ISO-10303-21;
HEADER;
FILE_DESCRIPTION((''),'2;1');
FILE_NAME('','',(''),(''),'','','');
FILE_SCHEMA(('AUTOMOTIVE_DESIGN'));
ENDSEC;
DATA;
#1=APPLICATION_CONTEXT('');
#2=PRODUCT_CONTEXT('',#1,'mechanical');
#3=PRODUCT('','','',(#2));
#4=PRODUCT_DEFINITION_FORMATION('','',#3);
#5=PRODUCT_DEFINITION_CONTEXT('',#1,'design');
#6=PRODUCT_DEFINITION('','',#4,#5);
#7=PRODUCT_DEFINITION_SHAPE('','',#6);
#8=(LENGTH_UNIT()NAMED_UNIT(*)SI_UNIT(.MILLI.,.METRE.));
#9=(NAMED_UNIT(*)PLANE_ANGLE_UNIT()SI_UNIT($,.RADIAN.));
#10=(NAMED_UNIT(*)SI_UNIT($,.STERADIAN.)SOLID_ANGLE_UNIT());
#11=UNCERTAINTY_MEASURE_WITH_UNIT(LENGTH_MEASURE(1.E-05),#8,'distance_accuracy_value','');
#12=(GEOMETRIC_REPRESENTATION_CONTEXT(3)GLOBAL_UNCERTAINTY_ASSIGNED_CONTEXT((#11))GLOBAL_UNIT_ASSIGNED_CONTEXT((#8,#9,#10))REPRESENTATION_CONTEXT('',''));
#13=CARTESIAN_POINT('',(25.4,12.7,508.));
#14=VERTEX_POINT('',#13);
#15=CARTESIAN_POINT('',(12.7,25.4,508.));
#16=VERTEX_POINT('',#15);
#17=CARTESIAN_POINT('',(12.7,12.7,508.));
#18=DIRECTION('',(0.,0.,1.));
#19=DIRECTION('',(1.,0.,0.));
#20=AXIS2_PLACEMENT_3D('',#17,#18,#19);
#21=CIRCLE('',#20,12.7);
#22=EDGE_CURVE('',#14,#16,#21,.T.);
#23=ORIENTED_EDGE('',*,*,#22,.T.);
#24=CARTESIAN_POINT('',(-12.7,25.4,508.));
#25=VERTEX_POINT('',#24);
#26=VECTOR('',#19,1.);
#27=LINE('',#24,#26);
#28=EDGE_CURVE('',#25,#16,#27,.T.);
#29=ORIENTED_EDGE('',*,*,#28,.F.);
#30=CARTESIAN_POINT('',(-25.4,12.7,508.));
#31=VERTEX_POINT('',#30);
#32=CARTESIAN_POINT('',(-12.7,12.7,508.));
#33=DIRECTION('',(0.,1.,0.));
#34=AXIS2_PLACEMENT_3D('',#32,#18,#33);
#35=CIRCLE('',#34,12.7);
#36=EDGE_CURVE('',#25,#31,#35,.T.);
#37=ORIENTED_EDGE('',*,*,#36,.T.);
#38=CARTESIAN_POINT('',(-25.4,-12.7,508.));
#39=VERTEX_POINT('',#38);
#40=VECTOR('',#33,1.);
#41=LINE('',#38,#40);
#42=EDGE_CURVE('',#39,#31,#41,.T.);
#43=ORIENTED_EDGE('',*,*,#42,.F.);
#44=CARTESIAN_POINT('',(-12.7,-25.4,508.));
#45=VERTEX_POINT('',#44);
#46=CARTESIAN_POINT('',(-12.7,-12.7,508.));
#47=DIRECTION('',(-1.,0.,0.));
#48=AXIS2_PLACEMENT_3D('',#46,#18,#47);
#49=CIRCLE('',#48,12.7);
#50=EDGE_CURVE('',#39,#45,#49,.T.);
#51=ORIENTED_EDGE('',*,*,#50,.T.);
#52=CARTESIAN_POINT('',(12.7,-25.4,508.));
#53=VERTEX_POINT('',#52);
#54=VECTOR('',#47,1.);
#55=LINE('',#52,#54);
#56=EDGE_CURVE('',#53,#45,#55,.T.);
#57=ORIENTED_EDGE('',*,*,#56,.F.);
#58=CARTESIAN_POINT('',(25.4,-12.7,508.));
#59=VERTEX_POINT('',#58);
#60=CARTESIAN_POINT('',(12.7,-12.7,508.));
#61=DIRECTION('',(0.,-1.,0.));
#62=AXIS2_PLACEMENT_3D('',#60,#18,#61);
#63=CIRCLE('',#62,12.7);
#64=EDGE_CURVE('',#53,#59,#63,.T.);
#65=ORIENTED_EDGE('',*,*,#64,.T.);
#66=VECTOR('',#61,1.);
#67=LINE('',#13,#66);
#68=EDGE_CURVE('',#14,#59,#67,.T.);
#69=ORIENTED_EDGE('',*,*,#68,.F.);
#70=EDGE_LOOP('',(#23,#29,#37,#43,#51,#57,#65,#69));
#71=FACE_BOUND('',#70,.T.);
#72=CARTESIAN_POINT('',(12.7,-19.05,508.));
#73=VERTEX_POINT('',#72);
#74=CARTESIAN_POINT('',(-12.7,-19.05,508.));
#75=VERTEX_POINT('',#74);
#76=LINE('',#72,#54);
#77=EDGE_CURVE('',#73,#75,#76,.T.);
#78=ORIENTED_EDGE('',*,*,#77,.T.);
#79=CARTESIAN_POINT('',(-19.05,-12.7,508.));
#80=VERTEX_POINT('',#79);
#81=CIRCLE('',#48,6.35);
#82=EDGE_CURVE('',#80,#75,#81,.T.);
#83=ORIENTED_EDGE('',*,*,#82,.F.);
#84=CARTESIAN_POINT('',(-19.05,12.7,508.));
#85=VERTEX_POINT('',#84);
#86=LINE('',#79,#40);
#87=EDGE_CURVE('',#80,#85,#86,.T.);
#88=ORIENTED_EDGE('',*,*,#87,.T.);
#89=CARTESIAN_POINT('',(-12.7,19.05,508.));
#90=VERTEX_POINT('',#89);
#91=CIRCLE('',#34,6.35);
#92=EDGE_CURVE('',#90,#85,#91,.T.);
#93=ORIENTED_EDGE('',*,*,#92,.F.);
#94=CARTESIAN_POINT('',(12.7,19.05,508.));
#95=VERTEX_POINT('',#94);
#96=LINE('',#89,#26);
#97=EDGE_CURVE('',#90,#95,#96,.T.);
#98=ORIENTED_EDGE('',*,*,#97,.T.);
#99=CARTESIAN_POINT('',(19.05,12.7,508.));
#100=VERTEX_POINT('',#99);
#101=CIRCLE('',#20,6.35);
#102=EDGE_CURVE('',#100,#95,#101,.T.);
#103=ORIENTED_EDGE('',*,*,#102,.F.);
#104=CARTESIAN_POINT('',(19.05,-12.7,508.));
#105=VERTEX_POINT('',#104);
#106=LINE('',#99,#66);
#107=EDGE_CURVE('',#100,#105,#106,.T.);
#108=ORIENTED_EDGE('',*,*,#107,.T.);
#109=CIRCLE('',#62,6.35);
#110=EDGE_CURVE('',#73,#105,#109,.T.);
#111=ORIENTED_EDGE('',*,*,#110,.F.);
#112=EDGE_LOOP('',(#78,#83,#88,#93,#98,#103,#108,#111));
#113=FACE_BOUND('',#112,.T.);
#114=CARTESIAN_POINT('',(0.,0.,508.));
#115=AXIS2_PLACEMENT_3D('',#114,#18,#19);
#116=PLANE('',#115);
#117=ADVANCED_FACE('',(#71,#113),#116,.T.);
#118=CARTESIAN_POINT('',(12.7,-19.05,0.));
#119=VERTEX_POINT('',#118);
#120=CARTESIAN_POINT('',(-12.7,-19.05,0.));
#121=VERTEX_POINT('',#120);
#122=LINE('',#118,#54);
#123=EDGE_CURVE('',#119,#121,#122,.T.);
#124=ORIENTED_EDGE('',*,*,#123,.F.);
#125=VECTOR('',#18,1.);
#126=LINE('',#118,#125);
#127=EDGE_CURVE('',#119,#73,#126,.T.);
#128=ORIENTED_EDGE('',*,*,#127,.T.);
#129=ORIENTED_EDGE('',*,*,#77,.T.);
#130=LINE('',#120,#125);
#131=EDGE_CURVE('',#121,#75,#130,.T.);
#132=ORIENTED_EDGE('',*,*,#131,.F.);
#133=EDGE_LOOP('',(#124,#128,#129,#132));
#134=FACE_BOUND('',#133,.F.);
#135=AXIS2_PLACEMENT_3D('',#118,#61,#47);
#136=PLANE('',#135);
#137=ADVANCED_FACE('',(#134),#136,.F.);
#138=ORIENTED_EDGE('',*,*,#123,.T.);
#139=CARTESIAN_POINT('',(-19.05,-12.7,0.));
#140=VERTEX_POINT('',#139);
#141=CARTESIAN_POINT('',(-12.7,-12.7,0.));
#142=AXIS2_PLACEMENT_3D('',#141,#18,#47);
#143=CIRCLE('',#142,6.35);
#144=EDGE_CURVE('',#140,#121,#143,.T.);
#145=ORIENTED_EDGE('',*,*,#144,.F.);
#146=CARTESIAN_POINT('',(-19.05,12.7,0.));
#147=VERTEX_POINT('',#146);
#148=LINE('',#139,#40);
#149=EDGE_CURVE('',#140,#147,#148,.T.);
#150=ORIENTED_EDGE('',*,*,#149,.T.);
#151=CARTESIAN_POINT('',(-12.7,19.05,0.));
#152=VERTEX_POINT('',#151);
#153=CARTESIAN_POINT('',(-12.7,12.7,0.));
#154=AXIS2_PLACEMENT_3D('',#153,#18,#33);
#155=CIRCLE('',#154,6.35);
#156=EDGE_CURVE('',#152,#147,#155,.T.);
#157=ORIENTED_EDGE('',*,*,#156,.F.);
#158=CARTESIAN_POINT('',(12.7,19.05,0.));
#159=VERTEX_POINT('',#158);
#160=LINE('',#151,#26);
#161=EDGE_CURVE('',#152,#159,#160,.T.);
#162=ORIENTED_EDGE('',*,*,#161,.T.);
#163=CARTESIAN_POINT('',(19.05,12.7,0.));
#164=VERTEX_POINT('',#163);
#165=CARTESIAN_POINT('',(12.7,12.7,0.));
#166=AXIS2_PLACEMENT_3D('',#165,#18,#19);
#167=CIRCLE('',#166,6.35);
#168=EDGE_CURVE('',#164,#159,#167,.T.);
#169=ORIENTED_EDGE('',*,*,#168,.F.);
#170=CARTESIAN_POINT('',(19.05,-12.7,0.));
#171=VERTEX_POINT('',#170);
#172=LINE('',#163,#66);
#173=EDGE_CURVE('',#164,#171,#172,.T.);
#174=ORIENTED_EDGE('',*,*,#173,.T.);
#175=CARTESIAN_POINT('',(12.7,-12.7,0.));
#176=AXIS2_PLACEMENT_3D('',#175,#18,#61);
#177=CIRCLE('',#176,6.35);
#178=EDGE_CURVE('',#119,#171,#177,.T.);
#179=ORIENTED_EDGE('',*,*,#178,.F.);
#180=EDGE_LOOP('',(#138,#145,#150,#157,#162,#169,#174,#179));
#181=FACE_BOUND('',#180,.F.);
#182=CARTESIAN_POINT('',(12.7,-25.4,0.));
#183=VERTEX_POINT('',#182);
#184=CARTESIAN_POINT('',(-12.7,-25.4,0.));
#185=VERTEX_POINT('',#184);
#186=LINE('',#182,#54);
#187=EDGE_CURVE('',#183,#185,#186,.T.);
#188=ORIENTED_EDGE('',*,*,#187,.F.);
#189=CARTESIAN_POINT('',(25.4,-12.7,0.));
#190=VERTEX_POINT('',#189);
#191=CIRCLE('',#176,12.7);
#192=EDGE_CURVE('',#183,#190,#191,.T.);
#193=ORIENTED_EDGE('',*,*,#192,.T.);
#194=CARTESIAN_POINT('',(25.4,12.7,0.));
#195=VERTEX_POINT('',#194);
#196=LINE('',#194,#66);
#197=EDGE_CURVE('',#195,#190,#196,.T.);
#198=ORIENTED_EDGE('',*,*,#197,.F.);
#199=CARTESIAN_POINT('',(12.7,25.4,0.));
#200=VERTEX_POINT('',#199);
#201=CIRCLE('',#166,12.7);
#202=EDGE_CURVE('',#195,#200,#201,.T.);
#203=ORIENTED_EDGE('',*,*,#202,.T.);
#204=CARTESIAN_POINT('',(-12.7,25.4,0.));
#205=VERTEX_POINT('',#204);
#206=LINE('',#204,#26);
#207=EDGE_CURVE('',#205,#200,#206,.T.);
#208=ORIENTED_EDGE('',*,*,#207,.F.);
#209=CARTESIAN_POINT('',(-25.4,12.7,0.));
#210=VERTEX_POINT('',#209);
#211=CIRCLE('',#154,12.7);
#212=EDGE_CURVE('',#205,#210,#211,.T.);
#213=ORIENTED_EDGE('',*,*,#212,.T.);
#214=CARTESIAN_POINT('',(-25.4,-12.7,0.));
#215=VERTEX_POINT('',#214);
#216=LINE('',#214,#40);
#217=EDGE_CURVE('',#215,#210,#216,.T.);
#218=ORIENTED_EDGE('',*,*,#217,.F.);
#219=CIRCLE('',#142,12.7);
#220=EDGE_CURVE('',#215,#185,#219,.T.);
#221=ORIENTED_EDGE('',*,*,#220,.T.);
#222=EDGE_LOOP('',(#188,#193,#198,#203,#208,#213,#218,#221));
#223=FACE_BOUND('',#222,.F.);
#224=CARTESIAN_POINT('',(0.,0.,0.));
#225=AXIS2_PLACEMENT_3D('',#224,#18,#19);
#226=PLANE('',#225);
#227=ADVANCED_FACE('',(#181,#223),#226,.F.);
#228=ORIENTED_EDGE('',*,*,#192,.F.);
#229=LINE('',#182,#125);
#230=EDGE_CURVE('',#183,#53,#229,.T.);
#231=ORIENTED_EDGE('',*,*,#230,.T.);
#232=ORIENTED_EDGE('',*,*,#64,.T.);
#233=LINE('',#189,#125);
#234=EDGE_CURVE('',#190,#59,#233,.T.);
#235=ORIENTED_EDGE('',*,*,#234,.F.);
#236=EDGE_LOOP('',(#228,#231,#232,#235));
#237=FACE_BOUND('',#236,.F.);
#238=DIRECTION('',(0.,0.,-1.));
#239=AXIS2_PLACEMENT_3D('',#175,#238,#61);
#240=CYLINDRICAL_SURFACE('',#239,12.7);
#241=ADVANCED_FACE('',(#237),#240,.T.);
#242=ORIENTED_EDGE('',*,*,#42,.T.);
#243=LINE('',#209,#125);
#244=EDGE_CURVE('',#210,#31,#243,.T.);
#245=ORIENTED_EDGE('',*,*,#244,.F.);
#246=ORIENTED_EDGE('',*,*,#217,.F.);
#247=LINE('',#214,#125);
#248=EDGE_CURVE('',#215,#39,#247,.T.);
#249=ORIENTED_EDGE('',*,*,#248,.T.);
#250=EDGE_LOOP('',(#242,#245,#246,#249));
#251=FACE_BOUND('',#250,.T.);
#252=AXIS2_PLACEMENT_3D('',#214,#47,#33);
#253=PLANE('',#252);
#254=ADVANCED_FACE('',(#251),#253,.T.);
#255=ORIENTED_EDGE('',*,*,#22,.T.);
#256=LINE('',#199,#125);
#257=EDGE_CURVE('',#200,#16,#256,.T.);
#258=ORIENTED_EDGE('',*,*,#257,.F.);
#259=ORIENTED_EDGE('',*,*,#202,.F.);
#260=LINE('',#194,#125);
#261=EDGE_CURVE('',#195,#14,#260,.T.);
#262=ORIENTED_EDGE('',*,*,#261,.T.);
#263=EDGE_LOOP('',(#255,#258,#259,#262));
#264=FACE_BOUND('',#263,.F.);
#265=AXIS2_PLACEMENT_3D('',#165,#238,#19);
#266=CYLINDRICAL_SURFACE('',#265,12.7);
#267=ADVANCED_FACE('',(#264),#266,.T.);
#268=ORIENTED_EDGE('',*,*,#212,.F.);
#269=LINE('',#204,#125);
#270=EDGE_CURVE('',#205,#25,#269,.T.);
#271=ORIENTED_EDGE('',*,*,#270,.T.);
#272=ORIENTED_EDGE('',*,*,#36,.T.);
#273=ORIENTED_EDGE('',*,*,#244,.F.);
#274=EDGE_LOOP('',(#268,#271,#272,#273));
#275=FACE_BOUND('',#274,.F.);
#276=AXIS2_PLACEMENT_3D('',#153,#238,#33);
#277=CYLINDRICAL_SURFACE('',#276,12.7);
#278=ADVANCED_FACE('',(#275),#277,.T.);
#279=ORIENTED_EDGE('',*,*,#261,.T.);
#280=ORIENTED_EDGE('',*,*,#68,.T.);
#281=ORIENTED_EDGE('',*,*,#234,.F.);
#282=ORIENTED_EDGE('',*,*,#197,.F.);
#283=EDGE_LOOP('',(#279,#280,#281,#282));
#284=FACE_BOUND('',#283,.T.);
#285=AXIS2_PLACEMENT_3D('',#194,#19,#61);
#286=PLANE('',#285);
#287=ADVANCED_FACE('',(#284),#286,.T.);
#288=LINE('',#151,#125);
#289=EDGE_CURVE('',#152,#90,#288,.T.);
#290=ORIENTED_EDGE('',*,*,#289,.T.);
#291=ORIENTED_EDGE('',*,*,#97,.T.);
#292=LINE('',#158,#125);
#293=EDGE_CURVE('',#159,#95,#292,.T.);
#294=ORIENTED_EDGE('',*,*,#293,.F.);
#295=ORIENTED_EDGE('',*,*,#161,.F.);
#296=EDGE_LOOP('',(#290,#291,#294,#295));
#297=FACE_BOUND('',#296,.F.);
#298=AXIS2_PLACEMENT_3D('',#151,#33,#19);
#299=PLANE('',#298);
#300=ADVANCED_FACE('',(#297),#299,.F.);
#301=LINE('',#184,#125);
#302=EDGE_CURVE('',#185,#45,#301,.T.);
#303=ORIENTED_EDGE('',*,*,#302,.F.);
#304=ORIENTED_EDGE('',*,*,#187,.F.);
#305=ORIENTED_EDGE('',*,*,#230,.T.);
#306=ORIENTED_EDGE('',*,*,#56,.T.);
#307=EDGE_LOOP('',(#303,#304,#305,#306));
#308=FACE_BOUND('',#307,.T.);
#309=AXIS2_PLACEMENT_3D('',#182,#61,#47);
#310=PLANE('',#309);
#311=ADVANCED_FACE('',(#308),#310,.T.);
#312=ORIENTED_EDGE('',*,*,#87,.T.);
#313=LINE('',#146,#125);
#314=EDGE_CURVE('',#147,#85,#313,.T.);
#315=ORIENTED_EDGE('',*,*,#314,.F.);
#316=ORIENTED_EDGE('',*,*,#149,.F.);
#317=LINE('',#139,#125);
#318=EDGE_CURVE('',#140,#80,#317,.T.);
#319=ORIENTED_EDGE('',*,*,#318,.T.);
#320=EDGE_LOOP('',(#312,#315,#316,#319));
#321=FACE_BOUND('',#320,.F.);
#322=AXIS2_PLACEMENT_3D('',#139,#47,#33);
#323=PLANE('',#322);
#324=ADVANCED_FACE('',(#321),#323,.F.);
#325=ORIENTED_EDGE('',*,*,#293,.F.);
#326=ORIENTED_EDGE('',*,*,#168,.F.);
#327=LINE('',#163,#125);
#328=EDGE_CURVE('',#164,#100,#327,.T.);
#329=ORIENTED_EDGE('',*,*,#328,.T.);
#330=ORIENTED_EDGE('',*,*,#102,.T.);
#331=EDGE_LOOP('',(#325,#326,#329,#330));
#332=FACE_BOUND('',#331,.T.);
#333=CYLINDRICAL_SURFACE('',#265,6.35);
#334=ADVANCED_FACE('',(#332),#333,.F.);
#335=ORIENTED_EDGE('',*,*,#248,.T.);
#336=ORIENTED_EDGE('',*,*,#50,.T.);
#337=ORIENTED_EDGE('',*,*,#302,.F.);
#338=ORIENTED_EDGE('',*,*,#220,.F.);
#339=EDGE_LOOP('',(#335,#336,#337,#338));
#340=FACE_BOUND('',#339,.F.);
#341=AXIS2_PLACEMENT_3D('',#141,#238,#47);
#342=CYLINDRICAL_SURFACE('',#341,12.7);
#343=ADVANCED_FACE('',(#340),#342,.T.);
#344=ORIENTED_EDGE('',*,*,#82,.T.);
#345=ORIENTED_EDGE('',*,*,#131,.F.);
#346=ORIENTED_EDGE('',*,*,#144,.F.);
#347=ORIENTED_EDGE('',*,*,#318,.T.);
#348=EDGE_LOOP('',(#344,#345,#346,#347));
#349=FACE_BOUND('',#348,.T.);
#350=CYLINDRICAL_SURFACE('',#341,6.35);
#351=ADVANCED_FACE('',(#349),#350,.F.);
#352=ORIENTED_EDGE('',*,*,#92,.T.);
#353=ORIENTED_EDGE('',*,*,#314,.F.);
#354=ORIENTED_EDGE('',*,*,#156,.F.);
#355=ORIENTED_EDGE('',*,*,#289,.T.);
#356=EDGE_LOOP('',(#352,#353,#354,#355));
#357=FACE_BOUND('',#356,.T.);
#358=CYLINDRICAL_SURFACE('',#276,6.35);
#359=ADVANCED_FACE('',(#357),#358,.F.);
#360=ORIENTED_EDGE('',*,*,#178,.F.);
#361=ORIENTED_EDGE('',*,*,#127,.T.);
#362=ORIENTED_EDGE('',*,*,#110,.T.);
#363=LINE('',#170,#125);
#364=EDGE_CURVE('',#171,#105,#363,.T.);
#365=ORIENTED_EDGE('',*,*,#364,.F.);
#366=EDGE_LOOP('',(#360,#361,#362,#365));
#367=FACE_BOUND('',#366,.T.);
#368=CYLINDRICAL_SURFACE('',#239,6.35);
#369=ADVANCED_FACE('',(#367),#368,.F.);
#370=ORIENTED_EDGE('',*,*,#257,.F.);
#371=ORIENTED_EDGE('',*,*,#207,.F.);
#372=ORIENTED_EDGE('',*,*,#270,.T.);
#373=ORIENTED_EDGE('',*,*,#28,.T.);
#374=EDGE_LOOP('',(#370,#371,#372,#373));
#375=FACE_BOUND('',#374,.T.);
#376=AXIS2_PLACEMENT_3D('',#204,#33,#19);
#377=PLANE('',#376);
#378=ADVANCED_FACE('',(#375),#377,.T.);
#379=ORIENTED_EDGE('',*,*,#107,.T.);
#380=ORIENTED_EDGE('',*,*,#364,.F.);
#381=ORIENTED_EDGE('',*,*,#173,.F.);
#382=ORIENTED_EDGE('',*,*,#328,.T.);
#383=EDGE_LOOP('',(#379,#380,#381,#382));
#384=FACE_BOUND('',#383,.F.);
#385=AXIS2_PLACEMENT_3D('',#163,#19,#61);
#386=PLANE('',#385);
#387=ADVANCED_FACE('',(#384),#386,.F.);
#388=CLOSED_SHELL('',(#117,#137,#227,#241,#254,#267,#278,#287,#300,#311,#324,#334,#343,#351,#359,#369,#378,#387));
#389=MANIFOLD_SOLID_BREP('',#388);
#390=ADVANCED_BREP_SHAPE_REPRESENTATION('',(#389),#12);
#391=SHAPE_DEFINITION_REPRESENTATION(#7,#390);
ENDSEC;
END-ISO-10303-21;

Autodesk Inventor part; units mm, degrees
ref_plane "Start Plane" through (0, 0, 0) normal (0, 0, 1) x (1, 0, 0)
ref_plane "End Plane" through (0, 0, 508) normal (0, 0, 1) x (1, 0, 0)
sketch "Sketch" plane through (0, 0, 0) normal (0, 0, 1) x (1, 0, 0)
  line L0 (-25.4, -12.7) -> (-25.4, 12.7)
  line L1 (-12.7, 25.4) -> (12.7, 25.4)
  line L2 (25.4, 12.7) -> (25.4, -12.7)
  line L3 (12.7, -25.4) -> (-12.7, -25.4)
  arc A0 (-25.4, -12.7) -> (-12.7, -25.4) centre (-12.7, -12.7) ccw
  arc A1 (-12.7, 25.4) -> (-25.4, 12.7) centre (-12.7, 12.7) ccw
  arc A2 (25.4, 12.7) -> (12.7, 25.4) centre (12.7, 12.7) ccw
  arc A3 (12.7, -25.4) -> (25.4, -12.7) centre (12.7, -12.7) ccw
  arc A4 (-12.7, 19.05) -> (-19.05, 12.7) centre (-12.7, 12.7) ccw
  line L4 (-12.7, 19.05) -> (12.7, 19.05)
  arc A5 (19.05, 12.7) -> (12.7, 19.05) centre (12.7, 12.7) ccw
  line L5 (19.05, 12.7) -> (19.05, -12.7)
  arc A6 (12.7, -19.05) -> (19.05, -12.7) centre (12.7, -12.7) ccw
  line L6 (12.7, -19.05) -> (-12.7, -19.05)
  arc A7 (-19.05, -12.7) -> (-12.7, -19.05) centre (-12.7, -12.7) ccw
  line L7 (-19.05, -12.7) -> (-19.05, 12.7)
  line L8 (0, 39.2424) -> (0, -39.2424) construction
  line L9 (-39.2424, 0) -> (39.2424, 0) construction
  dimension "d10" = 50.8
  dimension "d11" = 50.8
  dimension "d12" = 6.35
  dimension "d15" = 25.4
  dimension "d16" = 25.4
  dimension "d17" = 12.7
extrude "Body" add sketch "Sketch" along normal up to surface (508 mm away) from surface at 0
sketch "Sketch3" plane through (0, 0, 0) normal (0, 0, 1) x (1, 0, 0)
  line L0 (0, 0) -> (10, 0)
ref_plane "Work Plane3" through (0, 0, 0) normal (0, -1, 0) x (1, 0, 0)
ref_plane "Work Plane4" through (0, -482.6, 0) normal (0, 0, -1) x (-1, 0, 0)
split "Split1" plane through (0, -482.6, 0) removes the side toward (0, 0, -1)
ref_plane "Work Plane5" through (0, -482.6, 508) normal (0, 0, 1) x (1, 0, 0)
split "Split2" plane through (0, -482.6, 508) removes the side toward (0, 0, 1)
ref_plane "Work Plane6" through (25.4, 0, 0) normal (0, 0, -1) x (-1, 0, 0)
split "Split3" plane through (25.4, 0, 0) removes the side toward (0, 0, -1)
ref_plane "Work Plane7" through (25.4, 0, 508) normal (0, 0, 1) x (1, 0, 0)
split "Split4" plane through (25.4, 0, 508) removes the side toward (0, 0, 1)
sketch "Sketch4" plane through (0, 0, 0) normal (0, -1, 0) x (1, 0, 0)
  line L0 (-2, 0) -> (12, 0) projected
  line L1 (-2, 508) -> (12, 508) projected
  dimension "d19" = 508
equation "\"d10\" = G_H"
equation "\"d11\" = G_W"
equation "\"d12\" = G_T"
equation "\"d15\" = 0.5 * d10"
equation "\"d16\" = 0.5 * d11"
equation "\"d17\" = G_IR"
equation "\"d3\" = G_L"
equation "\"G_W\" = 50.8"
equation "\"G_H\" = 50.8"
equation "\"G_T\" = 6.35"
equation "\"G_IR\" = 12.7"
equation "\"G_L\" = d19"
equation "\"G_OFFSET_START\" = 0"
equation "\"G_OFFSET_END\" = 0"
equation "\"d14\" = G_OFFSET_END + B_L"
equation "\"B_L\" = 508"
properties part number "AISC - 2 x 2 x 1/4 - 20" material "Steel, Mild"
